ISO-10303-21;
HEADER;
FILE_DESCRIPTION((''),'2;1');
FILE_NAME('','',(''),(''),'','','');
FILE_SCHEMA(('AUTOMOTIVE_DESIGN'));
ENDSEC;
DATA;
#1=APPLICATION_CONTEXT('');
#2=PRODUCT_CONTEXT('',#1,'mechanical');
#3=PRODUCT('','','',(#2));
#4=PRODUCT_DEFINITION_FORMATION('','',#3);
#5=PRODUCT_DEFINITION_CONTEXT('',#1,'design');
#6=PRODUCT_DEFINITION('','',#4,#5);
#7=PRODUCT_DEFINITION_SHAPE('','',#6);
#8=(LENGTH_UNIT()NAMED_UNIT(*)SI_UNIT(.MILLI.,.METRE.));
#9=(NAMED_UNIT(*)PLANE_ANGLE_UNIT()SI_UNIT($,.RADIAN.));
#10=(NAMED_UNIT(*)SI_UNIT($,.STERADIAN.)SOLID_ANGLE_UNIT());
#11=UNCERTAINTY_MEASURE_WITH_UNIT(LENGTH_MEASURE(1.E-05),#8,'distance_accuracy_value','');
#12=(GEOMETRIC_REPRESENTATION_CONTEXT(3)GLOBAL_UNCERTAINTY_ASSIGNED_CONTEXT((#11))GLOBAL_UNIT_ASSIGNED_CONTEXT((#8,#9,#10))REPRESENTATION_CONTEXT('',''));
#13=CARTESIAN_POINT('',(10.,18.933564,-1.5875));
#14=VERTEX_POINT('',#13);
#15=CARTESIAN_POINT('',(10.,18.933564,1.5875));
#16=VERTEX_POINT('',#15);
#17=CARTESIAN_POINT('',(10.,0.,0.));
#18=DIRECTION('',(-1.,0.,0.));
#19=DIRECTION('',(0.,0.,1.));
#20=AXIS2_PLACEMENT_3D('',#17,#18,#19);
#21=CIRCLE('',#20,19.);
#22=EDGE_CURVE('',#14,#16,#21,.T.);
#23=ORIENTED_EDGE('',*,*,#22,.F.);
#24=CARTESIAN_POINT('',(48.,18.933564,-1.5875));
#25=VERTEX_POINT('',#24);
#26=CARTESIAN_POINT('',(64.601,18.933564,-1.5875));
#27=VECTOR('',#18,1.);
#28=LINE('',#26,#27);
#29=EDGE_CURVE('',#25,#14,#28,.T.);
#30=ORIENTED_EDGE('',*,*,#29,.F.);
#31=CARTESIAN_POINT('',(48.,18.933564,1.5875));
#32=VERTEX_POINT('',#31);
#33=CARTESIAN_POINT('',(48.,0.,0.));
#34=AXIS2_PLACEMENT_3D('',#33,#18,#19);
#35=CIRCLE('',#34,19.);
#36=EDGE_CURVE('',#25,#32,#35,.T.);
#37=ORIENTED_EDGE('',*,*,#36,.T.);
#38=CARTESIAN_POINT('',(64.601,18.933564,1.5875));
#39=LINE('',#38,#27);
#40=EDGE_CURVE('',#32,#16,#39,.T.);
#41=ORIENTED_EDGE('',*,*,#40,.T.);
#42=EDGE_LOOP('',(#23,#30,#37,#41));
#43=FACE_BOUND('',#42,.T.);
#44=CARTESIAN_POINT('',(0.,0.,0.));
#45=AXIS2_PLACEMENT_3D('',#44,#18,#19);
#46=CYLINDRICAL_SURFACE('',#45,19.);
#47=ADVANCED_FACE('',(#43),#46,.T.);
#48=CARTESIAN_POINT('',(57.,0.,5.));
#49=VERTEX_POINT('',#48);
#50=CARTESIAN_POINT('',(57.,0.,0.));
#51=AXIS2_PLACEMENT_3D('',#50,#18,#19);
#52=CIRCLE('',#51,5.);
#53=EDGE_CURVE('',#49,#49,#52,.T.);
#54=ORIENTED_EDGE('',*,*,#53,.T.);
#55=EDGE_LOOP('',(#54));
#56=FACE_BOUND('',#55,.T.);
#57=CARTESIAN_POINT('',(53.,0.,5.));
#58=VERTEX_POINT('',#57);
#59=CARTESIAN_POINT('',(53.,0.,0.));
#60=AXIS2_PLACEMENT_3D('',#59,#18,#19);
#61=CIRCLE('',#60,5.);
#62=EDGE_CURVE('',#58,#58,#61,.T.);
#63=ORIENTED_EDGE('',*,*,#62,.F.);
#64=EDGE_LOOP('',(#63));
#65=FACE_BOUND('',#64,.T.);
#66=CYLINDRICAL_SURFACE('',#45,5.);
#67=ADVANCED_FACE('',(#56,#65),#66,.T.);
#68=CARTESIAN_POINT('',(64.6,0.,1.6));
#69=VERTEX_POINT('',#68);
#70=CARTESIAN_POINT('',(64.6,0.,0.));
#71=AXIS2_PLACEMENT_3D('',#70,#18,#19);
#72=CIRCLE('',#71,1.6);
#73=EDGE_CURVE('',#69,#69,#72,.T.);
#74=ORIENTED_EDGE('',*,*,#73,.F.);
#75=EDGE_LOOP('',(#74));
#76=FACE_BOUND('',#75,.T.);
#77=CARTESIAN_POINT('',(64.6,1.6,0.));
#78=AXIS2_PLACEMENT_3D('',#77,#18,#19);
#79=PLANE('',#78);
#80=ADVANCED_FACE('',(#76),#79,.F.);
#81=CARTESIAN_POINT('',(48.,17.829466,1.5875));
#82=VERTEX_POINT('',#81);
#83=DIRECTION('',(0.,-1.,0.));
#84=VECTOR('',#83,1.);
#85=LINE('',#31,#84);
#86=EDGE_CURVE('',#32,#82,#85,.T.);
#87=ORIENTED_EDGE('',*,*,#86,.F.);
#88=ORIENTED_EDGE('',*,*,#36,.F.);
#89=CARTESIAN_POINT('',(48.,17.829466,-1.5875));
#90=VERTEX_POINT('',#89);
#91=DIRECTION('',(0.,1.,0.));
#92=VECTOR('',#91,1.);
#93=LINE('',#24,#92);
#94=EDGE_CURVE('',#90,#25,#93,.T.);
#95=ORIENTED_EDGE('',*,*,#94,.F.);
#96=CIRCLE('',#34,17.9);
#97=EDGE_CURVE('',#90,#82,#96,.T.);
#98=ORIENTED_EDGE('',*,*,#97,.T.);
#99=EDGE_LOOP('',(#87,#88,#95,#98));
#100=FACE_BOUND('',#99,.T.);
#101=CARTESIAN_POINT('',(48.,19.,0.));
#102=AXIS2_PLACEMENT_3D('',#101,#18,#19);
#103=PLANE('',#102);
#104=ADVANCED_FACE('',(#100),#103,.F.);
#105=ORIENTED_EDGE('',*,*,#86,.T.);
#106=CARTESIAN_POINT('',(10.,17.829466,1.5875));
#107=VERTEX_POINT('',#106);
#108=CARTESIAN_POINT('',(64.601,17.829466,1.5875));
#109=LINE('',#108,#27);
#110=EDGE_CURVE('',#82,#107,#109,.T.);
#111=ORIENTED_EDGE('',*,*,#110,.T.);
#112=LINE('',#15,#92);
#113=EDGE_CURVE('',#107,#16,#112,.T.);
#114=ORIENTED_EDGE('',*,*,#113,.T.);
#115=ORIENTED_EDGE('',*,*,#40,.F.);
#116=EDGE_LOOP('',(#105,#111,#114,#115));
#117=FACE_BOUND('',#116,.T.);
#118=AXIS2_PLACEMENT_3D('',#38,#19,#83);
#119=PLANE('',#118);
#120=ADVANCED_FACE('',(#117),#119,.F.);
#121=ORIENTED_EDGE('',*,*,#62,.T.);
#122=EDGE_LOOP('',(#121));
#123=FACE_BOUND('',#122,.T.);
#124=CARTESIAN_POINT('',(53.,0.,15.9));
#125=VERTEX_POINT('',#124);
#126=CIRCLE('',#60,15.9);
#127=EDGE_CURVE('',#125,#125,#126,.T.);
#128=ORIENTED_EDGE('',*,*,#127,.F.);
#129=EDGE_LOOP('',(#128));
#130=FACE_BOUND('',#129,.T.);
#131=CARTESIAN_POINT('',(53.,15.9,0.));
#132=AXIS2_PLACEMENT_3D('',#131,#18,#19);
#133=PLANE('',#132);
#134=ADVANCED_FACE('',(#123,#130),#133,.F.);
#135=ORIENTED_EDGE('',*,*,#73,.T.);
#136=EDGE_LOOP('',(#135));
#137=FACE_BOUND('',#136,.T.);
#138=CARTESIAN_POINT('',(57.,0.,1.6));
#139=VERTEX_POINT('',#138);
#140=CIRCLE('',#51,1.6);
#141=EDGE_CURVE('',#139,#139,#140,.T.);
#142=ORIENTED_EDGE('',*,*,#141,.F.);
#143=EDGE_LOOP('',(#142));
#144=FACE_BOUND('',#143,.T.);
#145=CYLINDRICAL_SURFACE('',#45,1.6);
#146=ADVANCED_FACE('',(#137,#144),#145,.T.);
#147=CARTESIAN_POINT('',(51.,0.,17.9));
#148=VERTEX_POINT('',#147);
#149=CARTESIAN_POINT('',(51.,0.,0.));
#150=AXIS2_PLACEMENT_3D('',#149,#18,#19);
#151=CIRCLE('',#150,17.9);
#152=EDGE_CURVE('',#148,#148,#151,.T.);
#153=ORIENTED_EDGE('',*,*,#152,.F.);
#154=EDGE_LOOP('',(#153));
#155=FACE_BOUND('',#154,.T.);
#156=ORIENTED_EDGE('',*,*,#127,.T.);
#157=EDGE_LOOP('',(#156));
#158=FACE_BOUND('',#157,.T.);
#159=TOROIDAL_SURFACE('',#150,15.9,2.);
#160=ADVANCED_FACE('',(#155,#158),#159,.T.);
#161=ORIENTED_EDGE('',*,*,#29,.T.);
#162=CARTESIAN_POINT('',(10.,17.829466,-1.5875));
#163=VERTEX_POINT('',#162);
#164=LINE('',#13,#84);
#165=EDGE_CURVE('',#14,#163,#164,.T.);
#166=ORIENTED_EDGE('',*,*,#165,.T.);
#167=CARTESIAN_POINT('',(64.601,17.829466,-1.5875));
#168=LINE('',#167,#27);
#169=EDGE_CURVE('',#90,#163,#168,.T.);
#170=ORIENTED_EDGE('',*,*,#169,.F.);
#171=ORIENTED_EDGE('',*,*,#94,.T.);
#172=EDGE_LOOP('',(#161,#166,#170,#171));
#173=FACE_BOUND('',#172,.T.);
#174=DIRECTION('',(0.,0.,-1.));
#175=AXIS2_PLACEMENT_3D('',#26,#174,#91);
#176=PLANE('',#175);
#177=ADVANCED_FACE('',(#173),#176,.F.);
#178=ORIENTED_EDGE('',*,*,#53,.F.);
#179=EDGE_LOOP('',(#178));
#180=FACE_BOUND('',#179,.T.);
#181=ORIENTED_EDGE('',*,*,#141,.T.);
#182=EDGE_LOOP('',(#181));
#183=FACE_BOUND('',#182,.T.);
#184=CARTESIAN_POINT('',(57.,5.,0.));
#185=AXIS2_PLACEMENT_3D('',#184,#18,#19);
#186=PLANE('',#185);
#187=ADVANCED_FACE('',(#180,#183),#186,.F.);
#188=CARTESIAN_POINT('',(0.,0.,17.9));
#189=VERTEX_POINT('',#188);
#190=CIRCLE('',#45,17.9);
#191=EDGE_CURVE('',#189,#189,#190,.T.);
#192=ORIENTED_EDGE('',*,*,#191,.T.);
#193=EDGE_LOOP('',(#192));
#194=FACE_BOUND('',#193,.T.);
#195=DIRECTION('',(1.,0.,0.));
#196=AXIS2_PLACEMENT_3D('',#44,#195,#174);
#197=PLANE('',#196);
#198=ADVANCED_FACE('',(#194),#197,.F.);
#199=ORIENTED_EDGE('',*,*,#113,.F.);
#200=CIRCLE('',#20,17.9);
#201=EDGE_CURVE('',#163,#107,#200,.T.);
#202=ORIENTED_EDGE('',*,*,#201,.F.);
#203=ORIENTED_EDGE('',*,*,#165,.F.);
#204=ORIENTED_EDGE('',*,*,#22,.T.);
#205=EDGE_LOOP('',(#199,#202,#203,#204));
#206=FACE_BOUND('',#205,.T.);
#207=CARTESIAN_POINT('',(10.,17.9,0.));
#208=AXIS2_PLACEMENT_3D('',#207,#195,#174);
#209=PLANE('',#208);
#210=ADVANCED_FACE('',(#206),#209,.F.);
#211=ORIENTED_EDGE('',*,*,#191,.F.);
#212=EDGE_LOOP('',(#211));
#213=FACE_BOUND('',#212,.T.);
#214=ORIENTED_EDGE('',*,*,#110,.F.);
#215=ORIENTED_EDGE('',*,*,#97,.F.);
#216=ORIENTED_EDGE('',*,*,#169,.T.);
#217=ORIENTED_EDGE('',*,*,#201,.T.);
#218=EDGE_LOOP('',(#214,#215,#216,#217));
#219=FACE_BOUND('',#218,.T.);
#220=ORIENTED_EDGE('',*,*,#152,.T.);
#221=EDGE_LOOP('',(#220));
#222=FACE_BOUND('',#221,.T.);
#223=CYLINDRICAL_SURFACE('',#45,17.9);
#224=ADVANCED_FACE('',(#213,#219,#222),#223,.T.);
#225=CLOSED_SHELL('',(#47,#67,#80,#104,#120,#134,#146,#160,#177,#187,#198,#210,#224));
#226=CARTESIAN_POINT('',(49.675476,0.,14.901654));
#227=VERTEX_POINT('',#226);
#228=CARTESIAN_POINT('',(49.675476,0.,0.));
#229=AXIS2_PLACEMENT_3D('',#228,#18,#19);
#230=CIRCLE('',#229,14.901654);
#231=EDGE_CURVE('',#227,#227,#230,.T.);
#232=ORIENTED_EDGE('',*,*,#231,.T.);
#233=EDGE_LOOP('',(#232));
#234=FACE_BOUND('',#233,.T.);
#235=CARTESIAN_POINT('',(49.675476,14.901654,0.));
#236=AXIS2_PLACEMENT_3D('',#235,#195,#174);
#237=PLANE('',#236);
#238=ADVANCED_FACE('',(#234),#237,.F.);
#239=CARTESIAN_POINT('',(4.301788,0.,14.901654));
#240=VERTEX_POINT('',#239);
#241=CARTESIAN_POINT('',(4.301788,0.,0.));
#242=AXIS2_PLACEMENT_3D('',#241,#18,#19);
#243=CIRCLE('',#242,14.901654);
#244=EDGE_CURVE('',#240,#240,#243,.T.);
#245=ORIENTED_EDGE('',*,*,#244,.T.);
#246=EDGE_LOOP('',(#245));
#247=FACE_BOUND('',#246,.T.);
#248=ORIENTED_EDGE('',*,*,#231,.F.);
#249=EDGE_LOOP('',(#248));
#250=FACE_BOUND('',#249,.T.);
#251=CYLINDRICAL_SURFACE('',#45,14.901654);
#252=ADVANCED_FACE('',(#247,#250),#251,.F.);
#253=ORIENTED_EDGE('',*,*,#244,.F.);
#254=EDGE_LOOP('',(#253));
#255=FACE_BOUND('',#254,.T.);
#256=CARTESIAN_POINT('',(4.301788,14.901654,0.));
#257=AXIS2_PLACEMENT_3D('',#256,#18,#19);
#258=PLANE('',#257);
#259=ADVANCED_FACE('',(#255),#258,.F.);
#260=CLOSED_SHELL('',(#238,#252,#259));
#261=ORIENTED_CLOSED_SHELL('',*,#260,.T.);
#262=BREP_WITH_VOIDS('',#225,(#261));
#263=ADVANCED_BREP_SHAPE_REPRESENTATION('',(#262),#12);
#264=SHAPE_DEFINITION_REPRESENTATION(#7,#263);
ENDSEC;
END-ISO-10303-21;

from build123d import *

# Parameters (mm, degrees)
CUT_EXTRUDE1_REACH = 62.854


with BuildPart() as part:
    # Sketch3 → Revolve1 (revolve)
    with BuildSketch(Plane.XY, mode=Mode.PRIVATE) as revolve1_sk:
        with BuildLine():
            Line((0, 0), (0, 17.9))
            Line((0, 17.9), (10, 17.9))
            Line((10, 17.9), (10, 19))
            Line((10, 19), (48, 19))
            Line((48, 19), (48, 17.9))
            Line((48, 17.9), (51, 17.9))
            ThreePointArc((51, 17.9), (52.414213562, 17.314213562), (53, 15.9))
            Line((53, 15.9), (53, 5))
            Line((53, 5), (57, 5))
            Line((57, 5), (57, 1.6))
            Line((57, 1.6), (64.6, 1.6))
            Line((64.6, 1.6), (64.6, 0))
            Line((64.6, 0), (49.67547572, 0))
            Line((49.67547572, 0), (49.67547572, 14.901654032))
            Line((49.67547572, 14.901654032), (4.301788407, 14.901654032))
            Line((4.301788407, 14.901654032), (4.301788407, 0))
            Line((4.301788407, 0), (0, 0))
        make_face()
    revolve(revolve1_sk.sketch.rotate(Axis((0, 0, 0), (1, 0, 0)), 90), axis=Axis((0, 0, 0), (1, 0, 0)))

    # Sketch4 → Cut-Extrude1 (cut, up to next)
    with BuildSketch(Plane.ZY.offset(-10), mode=Mode.PRIVATE) as cut_extrude1_sk1:
        with BuildLine():
            Line((1.5875, 18.933563947), (1.5875, 17.829465605))
            ThreePointArc((1.5875, 17.829465605), (0, 17.9), (-1.5875, 17.829465605))
            Line((-1.5875, 17.829465605), (-1.5875, 18.933563947))
            ThreePointArc((-1.5875, 18.933563947), (0, 19), (1.5875, 18.933563947))
        make_face()
    cut_extrude1_tool1 = extrude(cut_extrude1_sk1.sketch, amount=-CUT_EXTRUDE1_REACH, mode=Mode.PRIVATE) & part.part
    add(cut_extrude1_tool1.solids().sort_by_distance((10, 18.427166, 0))[0], mode=Mode.SUBTRACT)


solid = part.part
